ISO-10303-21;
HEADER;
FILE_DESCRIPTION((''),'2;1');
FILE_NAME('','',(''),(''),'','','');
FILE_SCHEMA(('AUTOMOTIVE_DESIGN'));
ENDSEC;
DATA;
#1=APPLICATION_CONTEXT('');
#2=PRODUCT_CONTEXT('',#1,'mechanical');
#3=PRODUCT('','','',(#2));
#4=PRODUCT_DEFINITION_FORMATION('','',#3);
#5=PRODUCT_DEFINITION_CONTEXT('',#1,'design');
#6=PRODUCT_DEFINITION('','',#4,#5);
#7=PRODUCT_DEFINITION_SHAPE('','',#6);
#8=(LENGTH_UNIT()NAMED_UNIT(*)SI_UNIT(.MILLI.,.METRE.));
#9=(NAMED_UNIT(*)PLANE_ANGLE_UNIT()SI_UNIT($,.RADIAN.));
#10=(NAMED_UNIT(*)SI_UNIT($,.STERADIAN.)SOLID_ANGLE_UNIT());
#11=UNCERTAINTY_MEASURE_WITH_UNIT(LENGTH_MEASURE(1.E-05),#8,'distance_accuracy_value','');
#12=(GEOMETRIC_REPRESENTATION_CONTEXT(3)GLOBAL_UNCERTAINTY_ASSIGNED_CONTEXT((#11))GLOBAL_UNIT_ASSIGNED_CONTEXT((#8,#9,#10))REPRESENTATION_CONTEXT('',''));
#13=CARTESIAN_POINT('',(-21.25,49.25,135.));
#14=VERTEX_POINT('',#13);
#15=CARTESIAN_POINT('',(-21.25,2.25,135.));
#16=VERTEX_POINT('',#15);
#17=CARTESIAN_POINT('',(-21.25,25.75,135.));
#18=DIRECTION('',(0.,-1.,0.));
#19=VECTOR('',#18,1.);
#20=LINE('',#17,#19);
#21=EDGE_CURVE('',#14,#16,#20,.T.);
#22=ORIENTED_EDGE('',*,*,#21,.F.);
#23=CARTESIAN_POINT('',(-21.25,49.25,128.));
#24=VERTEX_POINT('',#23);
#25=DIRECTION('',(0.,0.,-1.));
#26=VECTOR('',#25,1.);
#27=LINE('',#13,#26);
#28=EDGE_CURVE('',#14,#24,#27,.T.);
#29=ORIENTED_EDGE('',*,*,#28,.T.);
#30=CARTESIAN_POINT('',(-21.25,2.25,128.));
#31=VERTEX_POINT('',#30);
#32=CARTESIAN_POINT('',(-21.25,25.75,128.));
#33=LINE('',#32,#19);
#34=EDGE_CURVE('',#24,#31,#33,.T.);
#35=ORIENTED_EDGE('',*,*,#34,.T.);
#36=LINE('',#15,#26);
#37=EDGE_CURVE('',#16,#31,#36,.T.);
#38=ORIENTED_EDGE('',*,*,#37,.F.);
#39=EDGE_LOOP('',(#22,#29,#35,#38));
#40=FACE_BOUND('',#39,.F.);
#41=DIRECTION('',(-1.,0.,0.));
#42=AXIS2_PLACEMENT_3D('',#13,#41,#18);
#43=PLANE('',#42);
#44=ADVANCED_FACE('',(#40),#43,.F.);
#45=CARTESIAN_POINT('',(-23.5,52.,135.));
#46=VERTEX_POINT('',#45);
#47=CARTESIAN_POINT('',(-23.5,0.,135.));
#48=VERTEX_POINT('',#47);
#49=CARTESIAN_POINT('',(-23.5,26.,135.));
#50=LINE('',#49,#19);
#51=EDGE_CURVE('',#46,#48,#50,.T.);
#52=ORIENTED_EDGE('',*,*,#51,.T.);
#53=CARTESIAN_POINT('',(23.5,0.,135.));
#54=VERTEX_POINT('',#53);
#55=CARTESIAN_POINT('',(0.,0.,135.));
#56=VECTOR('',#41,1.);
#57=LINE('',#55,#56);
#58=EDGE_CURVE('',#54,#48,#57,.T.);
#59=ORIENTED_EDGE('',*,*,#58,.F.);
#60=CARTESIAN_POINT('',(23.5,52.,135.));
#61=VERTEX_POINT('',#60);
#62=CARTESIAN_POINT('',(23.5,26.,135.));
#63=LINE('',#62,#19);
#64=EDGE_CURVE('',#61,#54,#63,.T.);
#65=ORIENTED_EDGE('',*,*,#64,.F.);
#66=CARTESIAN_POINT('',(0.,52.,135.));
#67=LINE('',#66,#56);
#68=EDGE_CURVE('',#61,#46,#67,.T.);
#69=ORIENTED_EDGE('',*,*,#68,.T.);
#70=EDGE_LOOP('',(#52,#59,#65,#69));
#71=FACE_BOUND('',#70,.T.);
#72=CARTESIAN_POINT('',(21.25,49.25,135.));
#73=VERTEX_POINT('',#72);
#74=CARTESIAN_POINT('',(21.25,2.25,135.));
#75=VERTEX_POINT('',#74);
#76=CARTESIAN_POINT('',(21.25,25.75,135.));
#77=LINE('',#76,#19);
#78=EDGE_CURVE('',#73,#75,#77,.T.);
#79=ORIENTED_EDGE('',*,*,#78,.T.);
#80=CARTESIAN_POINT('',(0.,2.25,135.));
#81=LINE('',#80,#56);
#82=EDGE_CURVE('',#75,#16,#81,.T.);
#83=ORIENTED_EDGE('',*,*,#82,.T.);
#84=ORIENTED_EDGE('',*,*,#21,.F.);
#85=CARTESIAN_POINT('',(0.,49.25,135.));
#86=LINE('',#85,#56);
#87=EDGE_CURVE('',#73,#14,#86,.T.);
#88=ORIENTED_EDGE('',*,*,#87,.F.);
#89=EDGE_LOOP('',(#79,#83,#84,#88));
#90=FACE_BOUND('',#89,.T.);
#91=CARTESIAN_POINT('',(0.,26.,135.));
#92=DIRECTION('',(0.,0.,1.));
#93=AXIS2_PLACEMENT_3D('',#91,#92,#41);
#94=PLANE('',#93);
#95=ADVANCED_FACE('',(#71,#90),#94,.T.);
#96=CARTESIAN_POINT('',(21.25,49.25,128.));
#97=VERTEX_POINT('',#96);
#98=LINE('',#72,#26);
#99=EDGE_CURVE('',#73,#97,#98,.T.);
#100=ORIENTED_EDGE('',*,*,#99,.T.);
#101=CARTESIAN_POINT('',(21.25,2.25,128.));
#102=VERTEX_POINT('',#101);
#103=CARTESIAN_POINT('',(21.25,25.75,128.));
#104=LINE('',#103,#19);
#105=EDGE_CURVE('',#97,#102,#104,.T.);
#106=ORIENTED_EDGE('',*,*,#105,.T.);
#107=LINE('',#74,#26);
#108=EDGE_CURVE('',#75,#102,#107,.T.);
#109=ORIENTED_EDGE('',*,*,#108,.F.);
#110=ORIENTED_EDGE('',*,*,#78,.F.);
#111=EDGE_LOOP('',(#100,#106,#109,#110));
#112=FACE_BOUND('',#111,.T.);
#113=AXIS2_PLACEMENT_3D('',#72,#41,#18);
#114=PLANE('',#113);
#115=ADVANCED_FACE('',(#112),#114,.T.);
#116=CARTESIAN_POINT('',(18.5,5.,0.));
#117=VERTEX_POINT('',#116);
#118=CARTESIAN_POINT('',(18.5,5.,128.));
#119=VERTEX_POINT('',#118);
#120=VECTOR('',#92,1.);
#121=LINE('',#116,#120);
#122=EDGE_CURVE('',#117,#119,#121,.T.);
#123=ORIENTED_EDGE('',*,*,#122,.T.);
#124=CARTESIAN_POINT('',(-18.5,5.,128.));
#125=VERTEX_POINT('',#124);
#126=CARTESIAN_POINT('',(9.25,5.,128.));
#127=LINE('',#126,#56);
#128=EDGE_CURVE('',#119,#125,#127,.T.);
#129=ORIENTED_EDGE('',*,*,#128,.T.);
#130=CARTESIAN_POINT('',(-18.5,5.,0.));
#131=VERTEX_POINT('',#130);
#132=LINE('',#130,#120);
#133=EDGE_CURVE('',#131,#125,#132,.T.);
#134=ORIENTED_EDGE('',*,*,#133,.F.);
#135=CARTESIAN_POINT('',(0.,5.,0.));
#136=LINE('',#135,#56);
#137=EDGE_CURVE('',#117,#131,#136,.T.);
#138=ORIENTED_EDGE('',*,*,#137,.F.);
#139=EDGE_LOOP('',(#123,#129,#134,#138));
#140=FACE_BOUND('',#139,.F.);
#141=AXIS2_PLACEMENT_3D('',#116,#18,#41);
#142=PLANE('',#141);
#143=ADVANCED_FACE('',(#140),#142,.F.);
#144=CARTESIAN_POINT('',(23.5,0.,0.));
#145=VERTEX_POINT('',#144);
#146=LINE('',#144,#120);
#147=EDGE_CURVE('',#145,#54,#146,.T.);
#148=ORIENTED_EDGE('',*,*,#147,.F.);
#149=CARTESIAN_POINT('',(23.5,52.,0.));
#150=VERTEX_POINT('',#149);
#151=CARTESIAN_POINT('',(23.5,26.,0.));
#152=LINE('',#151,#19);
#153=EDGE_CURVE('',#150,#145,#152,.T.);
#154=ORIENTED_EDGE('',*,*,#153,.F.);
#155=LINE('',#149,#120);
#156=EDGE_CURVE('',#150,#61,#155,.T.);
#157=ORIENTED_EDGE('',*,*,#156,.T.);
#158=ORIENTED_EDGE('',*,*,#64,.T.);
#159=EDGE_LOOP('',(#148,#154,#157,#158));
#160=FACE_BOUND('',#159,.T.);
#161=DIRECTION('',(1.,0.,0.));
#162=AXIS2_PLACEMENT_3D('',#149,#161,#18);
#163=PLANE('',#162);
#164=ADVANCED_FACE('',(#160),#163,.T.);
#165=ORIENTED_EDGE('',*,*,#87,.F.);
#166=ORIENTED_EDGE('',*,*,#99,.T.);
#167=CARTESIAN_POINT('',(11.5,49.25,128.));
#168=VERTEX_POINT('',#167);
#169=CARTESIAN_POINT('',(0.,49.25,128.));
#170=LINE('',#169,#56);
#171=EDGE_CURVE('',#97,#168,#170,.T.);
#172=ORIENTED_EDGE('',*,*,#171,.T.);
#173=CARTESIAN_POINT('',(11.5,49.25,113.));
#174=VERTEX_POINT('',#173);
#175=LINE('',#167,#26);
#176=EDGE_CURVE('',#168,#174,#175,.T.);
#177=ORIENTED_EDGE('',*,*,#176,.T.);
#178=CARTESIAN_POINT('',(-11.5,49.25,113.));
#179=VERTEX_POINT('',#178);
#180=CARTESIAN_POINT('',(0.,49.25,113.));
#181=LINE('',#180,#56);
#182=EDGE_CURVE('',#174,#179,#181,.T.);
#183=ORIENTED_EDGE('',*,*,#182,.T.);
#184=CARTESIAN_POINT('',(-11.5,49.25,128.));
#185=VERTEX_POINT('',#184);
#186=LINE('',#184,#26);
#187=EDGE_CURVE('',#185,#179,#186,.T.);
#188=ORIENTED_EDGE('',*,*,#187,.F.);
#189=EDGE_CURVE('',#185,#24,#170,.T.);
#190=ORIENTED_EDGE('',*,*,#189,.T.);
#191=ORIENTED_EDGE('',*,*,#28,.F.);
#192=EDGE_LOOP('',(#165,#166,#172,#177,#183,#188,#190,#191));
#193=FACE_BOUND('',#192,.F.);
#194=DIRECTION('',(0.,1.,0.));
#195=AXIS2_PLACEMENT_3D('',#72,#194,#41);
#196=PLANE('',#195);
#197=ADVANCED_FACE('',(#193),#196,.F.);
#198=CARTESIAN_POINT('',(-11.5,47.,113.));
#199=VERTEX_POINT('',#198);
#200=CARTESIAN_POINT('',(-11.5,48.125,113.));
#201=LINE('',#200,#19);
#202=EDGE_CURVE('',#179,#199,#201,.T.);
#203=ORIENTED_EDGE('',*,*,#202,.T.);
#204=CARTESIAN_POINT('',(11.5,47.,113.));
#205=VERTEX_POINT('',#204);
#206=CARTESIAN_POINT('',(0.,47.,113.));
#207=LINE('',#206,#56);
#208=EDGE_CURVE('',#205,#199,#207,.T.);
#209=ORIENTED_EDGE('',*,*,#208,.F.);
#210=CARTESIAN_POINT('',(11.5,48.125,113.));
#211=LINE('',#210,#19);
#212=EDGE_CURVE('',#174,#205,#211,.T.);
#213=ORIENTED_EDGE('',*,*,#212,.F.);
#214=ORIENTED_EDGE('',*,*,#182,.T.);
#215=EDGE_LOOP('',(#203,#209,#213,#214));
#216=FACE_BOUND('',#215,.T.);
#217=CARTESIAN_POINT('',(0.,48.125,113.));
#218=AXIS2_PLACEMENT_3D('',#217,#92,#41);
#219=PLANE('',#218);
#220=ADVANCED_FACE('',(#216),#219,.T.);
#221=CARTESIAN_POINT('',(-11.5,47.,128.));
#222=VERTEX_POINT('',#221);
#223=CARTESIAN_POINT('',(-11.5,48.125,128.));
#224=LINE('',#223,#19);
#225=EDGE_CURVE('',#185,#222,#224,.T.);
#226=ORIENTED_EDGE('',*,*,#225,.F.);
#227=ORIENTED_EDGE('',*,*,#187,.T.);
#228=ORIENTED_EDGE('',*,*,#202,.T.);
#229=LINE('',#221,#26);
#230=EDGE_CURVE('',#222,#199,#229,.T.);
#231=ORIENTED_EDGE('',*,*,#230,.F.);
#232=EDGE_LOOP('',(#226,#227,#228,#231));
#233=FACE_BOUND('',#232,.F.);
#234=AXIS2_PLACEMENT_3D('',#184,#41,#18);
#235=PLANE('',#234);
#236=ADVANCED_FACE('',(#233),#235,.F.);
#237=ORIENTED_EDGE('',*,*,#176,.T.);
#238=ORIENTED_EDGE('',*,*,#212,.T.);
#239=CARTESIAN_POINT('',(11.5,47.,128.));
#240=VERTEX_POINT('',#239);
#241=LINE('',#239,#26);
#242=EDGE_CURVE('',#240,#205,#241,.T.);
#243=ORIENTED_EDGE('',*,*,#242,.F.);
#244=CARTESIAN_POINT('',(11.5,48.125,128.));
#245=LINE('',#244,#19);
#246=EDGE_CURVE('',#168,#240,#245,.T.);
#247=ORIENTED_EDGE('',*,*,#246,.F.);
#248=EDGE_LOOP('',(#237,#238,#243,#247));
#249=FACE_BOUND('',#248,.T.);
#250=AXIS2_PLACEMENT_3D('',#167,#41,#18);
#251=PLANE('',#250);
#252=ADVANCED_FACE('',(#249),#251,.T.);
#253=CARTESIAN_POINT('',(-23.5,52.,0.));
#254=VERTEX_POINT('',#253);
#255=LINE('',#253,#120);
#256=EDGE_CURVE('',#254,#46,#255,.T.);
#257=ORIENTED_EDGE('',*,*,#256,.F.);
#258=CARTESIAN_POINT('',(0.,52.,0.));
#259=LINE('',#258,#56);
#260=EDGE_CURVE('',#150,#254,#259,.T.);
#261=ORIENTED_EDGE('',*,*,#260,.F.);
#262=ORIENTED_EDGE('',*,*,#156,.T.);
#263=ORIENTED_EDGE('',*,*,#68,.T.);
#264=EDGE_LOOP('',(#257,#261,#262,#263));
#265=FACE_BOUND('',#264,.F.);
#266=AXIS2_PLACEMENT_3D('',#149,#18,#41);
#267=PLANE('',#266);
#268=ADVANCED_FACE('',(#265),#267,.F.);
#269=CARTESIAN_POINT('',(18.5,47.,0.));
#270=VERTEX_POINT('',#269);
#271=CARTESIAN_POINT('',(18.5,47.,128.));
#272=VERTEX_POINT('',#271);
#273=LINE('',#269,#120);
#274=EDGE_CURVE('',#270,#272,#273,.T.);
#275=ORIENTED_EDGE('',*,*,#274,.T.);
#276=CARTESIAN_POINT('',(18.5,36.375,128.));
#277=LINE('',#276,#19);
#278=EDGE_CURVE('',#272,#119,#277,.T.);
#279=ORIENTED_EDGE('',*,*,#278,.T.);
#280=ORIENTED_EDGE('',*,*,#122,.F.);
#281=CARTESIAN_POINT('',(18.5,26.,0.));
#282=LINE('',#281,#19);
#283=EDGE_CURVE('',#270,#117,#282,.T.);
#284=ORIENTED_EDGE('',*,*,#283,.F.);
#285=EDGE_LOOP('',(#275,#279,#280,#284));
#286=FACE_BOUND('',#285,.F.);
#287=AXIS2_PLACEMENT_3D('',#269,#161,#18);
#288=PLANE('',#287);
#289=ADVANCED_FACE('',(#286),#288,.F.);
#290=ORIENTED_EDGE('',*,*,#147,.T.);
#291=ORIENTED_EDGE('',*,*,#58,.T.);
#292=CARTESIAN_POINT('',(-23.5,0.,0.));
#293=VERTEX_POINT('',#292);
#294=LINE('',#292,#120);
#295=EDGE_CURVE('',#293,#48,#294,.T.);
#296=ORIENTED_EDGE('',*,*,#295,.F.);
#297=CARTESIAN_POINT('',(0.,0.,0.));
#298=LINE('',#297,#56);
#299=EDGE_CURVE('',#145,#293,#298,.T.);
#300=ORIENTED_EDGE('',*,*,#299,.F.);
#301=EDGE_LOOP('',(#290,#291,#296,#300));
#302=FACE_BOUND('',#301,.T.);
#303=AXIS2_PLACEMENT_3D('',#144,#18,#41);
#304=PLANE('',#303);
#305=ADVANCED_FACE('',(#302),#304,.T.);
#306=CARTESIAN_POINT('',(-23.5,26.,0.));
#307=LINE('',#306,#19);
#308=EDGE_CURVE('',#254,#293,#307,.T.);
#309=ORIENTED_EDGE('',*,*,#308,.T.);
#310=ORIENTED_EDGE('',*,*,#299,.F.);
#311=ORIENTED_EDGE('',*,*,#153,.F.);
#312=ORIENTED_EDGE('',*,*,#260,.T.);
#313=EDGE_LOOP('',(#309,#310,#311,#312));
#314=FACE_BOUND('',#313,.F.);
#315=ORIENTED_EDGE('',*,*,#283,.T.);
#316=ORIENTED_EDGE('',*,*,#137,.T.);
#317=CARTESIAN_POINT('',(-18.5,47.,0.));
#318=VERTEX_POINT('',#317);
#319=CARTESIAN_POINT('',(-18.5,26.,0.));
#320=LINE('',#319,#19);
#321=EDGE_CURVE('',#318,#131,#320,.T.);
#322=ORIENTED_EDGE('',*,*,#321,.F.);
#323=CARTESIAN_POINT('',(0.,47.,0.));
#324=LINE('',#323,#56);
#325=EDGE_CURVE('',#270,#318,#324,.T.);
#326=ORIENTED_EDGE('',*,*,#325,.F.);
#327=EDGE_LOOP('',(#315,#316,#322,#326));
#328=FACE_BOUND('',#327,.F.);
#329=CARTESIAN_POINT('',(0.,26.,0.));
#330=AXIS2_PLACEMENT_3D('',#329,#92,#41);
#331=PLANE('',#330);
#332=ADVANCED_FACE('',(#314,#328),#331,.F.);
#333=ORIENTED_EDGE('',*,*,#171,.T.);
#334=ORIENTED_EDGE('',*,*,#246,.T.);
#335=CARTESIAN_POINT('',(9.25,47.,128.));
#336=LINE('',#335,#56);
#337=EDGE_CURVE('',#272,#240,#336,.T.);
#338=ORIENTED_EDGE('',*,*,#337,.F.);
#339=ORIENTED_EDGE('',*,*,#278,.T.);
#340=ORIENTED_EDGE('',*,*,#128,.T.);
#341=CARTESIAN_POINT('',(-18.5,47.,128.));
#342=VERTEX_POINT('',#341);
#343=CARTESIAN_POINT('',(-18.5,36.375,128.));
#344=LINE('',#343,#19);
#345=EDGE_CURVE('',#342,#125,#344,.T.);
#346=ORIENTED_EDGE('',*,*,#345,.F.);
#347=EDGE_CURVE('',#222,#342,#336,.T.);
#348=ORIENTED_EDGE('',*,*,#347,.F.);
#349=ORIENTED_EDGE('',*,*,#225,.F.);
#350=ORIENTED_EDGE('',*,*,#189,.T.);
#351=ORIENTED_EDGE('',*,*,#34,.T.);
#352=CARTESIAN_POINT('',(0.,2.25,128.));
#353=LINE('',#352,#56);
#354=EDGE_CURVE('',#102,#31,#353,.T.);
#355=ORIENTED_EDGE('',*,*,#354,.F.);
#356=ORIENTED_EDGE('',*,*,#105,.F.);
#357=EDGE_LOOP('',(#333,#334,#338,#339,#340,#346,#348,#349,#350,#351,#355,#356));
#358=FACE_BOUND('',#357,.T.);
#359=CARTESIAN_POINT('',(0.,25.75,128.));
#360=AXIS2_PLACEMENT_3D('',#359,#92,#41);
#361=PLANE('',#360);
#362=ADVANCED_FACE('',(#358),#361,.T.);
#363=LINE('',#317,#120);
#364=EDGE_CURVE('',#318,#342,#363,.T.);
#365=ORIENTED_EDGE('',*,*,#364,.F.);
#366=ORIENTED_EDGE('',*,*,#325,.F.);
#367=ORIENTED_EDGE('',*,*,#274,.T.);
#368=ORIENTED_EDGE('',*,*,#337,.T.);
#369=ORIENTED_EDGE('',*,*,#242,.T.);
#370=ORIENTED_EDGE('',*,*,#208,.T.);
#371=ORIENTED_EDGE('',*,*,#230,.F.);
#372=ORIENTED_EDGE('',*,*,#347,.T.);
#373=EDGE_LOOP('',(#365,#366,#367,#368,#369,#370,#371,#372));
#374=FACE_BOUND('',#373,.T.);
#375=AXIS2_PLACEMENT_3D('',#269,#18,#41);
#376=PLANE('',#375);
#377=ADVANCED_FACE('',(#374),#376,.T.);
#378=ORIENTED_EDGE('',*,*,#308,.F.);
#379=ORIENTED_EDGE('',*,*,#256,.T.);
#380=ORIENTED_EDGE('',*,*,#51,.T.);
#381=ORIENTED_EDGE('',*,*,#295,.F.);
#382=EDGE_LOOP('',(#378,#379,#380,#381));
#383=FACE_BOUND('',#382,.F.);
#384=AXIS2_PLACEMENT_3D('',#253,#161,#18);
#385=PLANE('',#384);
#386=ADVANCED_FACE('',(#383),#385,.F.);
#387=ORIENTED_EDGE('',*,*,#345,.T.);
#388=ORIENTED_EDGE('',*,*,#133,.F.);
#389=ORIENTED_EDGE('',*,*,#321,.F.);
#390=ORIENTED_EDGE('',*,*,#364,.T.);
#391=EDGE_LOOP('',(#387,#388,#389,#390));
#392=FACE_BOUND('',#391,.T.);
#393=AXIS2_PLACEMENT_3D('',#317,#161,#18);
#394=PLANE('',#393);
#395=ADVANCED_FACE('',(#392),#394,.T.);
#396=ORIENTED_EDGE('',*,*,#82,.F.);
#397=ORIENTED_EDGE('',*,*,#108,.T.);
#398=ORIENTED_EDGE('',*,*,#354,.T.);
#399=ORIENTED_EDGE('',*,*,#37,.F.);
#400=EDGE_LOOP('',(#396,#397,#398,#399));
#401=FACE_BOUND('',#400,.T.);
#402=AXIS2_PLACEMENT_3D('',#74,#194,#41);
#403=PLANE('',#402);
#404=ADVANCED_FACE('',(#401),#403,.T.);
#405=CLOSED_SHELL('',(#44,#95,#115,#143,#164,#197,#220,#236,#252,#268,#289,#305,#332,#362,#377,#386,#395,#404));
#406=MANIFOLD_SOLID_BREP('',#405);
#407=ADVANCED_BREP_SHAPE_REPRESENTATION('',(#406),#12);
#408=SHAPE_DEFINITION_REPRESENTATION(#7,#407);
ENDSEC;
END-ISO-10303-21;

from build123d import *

# Parameters (mm, degrees)
SKETCH119_W             = 47
SKETCH119_H             = 52
SKETCH119_W_2           = 37
SKETCH119_H_2           = 42
PAD060_DEPTH            = 135
SKETCH120_W             = 42.5
SKETCH120_H             = 47
POCKET051_DEPTH         = 7
SKETCH118_W             = 23
SKETCH118_H             = 2.25
POCKET052_DEPTH         = 15
BODY033_PLACEMENT_ANGLE = 180


with BuildPart() as part:
    # Sketch119 → Pad060 (new body)
    with BuildSketch(Plane.XY):
        with Locations((0, -26)):
            Rectangle(SKETCH119_W, SKETCH119_H)
        with Locations((0, -26)):
            Rectangle(SKETCH119_W_2, SKETCH119_H_2, mode=Mode.SUBTRACT)
    extrude(amount=PAD060_DEPTH)

    # Sketch120 (on Face10 of Pad060) → Pocket051 (cut)
    with BuildSketch(Plane.XY.offset(135)):
        with Locations((0, -25.75)):
            Rectangle(SKETCH120_W, SKETCH120_H)
    extrude(amount=-POCKET051_DEPTH, mode=Mode.SUBTRACT)

    # Sketch118 (on Face15 of Pocket051) → Pocket052 (cut)
    with BuildSketch(Plane.XY.offset(128)):
        with Locations((0, -48.125)):
            Rectangle(SKETCH118_W, SKETCH118_H)
    extrude(amount=-POCKET052_DEPTH, mode=Mode.SUBTRACT)


with BuildPart() as part_1:
    # Body033 placement: moved
    add(part.part.rotate(Axis((0, 0, 0), (0, 0, 1)), BODY033_PLACEMENT_ANGLE))


solid = part_1.part
